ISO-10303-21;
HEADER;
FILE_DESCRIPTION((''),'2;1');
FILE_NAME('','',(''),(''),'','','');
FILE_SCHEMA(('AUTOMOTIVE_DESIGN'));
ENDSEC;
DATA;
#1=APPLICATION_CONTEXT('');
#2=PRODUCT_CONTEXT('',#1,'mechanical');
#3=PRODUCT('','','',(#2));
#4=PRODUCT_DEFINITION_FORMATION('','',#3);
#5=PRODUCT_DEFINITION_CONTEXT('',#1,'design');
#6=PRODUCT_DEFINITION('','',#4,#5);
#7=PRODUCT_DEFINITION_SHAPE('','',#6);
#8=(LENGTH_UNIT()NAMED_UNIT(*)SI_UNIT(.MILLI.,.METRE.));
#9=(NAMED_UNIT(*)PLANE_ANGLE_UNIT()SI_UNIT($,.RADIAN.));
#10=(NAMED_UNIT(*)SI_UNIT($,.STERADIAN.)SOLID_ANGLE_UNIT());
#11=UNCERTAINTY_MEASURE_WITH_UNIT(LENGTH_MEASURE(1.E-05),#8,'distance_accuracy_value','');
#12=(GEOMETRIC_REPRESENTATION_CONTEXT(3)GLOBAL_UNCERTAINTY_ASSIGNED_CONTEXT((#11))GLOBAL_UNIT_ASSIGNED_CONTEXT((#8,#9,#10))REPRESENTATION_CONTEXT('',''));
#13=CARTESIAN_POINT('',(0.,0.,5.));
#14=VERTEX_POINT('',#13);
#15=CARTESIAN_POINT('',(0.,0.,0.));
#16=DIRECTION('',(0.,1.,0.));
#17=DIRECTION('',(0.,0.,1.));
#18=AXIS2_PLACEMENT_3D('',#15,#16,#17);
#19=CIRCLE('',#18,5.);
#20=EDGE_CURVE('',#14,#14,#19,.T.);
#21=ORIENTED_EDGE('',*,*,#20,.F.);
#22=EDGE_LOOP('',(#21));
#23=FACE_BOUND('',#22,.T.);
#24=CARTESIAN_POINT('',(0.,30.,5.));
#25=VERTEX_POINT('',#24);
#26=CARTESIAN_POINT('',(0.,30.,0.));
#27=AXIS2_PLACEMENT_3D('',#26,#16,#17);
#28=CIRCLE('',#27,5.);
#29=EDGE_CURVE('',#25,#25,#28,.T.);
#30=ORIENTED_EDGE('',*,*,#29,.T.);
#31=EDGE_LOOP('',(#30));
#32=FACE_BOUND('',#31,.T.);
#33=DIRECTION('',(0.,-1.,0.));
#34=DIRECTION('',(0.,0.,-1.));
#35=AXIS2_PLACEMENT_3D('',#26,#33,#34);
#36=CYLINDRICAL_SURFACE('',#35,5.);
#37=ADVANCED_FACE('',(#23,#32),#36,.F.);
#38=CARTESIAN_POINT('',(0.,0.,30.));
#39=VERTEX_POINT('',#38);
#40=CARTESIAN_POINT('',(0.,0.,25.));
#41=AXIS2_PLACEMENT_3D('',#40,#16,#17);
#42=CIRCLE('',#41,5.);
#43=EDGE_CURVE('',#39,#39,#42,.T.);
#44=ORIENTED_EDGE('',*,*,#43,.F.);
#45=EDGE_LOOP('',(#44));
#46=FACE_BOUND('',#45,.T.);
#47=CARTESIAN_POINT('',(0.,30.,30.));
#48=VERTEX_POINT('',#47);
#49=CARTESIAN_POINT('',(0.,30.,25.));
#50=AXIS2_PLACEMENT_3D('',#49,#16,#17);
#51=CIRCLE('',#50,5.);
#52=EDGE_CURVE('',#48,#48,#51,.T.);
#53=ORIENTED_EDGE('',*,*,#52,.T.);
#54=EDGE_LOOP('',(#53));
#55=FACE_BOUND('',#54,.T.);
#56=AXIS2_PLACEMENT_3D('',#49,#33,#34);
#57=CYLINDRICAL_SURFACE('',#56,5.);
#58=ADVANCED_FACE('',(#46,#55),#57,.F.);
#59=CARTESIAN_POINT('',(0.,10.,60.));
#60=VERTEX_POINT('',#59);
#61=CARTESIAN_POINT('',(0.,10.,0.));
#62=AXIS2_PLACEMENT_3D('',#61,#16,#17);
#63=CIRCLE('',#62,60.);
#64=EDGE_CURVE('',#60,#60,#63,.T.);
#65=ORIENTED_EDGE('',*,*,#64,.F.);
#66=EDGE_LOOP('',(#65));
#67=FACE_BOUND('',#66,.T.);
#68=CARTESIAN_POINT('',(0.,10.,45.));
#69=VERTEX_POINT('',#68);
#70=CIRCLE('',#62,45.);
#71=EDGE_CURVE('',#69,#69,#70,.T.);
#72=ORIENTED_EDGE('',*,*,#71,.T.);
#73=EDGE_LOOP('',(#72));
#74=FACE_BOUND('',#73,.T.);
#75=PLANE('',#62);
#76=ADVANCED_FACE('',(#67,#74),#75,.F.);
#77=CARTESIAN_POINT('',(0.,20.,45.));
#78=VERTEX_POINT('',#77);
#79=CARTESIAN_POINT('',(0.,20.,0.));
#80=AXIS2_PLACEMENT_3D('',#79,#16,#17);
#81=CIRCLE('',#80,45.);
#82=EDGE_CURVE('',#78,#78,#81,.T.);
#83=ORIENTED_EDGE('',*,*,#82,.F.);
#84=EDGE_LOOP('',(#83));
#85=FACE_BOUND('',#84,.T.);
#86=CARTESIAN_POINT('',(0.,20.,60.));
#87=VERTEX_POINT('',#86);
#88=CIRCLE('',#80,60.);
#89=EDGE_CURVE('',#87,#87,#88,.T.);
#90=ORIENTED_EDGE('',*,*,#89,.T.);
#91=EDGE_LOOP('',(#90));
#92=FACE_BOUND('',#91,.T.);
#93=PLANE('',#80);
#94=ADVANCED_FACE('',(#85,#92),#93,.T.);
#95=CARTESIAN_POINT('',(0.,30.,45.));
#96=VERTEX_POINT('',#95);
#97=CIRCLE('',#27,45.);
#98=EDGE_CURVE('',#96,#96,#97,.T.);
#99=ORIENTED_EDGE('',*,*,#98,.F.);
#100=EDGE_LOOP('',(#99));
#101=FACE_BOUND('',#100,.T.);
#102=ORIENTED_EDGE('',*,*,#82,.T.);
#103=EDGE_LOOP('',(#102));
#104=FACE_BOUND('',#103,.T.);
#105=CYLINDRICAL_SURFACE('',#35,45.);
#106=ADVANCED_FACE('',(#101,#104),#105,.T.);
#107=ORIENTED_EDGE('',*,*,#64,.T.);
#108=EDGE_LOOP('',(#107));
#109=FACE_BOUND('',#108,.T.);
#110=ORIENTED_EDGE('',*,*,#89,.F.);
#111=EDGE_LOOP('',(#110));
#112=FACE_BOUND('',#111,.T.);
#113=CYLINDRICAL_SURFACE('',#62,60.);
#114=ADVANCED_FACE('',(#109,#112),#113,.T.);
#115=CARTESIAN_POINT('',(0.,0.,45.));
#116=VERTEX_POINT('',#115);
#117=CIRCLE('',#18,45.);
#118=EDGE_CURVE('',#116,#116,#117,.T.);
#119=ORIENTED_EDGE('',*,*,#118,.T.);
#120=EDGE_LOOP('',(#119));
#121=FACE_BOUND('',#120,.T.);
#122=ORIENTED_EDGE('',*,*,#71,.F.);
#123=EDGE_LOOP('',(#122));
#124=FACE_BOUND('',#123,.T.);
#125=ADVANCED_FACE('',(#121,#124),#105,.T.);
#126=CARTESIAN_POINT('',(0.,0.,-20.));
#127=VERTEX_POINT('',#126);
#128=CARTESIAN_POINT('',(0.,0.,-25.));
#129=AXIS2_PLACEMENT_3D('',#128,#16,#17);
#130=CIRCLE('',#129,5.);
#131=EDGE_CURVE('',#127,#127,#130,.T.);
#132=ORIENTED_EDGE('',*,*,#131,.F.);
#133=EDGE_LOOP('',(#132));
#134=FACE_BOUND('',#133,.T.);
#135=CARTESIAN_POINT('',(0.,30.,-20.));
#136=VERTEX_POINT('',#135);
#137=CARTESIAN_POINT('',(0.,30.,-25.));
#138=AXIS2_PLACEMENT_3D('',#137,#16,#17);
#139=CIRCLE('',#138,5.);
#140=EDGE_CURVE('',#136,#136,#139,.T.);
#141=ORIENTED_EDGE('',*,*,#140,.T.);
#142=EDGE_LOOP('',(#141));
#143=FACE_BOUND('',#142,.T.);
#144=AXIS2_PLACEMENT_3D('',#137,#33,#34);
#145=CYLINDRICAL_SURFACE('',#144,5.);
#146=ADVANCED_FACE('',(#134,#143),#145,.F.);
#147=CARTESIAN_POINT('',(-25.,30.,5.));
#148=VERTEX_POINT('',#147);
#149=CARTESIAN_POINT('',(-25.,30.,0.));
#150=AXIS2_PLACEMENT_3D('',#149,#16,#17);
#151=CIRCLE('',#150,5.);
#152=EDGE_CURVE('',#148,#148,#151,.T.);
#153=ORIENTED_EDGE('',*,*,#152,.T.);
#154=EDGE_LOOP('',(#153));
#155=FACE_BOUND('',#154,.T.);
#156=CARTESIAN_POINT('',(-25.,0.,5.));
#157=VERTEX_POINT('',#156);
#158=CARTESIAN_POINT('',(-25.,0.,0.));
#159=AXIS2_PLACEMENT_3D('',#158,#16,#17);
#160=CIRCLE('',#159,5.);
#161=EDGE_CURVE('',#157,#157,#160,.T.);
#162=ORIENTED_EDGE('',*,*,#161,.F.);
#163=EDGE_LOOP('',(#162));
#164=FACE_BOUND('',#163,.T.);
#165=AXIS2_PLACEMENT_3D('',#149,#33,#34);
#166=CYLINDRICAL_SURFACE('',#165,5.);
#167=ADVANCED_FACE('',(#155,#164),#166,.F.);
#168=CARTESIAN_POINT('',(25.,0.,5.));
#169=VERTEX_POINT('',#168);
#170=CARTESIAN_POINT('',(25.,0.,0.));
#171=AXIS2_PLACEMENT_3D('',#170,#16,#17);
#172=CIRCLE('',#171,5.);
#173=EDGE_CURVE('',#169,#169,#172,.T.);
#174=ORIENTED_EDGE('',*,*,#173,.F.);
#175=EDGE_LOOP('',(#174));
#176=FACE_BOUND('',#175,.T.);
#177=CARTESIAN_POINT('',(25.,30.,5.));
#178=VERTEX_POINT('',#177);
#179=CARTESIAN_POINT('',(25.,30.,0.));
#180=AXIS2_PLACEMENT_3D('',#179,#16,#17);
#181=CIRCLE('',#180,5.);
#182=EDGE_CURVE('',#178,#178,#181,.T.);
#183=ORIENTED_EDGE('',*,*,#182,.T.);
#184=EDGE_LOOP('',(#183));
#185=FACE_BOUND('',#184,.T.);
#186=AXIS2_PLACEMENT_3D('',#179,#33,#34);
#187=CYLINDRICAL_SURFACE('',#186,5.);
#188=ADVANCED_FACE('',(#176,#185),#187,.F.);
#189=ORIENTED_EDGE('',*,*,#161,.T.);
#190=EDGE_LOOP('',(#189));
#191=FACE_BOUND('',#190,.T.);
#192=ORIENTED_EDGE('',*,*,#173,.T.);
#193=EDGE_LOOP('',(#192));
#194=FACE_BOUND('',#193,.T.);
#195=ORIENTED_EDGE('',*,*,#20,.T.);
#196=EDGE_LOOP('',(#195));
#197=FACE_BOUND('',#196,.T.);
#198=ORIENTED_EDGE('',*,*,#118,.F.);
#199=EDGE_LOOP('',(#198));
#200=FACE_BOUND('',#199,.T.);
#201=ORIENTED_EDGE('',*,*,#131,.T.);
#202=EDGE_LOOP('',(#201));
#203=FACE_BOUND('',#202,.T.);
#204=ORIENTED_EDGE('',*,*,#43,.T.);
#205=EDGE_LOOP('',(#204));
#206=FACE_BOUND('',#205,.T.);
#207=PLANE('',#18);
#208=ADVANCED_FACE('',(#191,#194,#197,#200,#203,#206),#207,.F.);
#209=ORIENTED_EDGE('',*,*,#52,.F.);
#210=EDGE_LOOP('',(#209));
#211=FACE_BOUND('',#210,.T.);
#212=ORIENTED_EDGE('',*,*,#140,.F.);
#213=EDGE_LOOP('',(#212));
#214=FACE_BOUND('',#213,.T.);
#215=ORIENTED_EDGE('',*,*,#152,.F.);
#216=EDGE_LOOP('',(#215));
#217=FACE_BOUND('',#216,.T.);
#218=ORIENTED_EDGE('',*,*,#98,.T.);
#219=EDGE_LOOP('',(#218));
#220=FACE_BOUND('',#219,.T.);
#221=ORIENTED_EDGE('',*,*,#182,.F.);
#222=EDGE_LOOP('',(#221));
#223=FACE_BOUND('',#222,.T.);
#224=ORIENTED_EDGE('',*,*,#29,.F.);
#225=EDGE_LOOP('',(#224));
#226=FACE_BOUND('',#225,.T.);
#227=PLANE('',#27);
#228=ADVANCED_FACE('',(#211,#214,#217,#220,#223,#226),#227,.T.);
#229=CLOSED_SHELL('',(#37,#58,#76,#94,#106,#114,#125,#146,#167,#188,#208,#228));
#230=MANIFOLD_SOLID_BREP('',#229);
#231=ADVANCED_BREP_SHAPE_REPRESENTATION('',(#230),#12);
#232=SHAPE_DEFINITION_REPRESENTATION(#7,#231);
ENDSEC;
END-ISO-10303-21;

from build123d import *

# Parameters (mm, degrees)
CROQUIS1_R              = 45
CROQUIS1_R_2            = 5
SALIENTE_EXTRUIR1_DEPTH = 30
SALIENTE_EXTRUIR2_START = -10
CROQUIS2_R              = 60
CROQUIS2_R_2            = 45
SALIENTE_EXTRUIR2_DEPTH = 10


with BuildPart() as part:
    # Croquis1 → Saliente-Extruir1 (new body)
    with BuildSketch(Plane(origin=(0, 0, 0), x_dir=(1, 0, 0), z_dir=(0, 1, 0))):
        Circle(CROQUIS1_R)
        Circle(CROQUIS1_R_2, mode=Mode.SUBTRACT)
        with Locations((0, 25)):
            Circle(CROQUIS1_R_2, mode=Mode.SUBTRACT)
        with Locations((25, 0)):
            Circle(CROQUIS1_R_2, mode=Mode.SUBTRACT)
        with Locations((0, -25)):
            Circle(CROQUIS1_R_2, mode=Mode.SUBTRACT)
        with Locations((-25, 0)):
            Circle(CROQUIS1_R_2, mode=Mode.SUBTRACT)
    extrude(amount=SALIENTE_EXTRUIR1_DEPTH)

    # Croquis2 → Saliente-Extruir2 (add)
    with BuildSketch(Plane(origin=(0, 30, 0), x_dir=(1, 0, 0), z_dir=(0, 1, 0)).offset(SALIENTE_EXTRUIR2_START)):
        Circle(CROQUIS2_R)
        Circle(CROQUIS2_R_2, mode=Mode.SUBTRACT)
    extrude(amount=-SALIENTE_EXTRUIR2_DEPTH)


solid = part.part
